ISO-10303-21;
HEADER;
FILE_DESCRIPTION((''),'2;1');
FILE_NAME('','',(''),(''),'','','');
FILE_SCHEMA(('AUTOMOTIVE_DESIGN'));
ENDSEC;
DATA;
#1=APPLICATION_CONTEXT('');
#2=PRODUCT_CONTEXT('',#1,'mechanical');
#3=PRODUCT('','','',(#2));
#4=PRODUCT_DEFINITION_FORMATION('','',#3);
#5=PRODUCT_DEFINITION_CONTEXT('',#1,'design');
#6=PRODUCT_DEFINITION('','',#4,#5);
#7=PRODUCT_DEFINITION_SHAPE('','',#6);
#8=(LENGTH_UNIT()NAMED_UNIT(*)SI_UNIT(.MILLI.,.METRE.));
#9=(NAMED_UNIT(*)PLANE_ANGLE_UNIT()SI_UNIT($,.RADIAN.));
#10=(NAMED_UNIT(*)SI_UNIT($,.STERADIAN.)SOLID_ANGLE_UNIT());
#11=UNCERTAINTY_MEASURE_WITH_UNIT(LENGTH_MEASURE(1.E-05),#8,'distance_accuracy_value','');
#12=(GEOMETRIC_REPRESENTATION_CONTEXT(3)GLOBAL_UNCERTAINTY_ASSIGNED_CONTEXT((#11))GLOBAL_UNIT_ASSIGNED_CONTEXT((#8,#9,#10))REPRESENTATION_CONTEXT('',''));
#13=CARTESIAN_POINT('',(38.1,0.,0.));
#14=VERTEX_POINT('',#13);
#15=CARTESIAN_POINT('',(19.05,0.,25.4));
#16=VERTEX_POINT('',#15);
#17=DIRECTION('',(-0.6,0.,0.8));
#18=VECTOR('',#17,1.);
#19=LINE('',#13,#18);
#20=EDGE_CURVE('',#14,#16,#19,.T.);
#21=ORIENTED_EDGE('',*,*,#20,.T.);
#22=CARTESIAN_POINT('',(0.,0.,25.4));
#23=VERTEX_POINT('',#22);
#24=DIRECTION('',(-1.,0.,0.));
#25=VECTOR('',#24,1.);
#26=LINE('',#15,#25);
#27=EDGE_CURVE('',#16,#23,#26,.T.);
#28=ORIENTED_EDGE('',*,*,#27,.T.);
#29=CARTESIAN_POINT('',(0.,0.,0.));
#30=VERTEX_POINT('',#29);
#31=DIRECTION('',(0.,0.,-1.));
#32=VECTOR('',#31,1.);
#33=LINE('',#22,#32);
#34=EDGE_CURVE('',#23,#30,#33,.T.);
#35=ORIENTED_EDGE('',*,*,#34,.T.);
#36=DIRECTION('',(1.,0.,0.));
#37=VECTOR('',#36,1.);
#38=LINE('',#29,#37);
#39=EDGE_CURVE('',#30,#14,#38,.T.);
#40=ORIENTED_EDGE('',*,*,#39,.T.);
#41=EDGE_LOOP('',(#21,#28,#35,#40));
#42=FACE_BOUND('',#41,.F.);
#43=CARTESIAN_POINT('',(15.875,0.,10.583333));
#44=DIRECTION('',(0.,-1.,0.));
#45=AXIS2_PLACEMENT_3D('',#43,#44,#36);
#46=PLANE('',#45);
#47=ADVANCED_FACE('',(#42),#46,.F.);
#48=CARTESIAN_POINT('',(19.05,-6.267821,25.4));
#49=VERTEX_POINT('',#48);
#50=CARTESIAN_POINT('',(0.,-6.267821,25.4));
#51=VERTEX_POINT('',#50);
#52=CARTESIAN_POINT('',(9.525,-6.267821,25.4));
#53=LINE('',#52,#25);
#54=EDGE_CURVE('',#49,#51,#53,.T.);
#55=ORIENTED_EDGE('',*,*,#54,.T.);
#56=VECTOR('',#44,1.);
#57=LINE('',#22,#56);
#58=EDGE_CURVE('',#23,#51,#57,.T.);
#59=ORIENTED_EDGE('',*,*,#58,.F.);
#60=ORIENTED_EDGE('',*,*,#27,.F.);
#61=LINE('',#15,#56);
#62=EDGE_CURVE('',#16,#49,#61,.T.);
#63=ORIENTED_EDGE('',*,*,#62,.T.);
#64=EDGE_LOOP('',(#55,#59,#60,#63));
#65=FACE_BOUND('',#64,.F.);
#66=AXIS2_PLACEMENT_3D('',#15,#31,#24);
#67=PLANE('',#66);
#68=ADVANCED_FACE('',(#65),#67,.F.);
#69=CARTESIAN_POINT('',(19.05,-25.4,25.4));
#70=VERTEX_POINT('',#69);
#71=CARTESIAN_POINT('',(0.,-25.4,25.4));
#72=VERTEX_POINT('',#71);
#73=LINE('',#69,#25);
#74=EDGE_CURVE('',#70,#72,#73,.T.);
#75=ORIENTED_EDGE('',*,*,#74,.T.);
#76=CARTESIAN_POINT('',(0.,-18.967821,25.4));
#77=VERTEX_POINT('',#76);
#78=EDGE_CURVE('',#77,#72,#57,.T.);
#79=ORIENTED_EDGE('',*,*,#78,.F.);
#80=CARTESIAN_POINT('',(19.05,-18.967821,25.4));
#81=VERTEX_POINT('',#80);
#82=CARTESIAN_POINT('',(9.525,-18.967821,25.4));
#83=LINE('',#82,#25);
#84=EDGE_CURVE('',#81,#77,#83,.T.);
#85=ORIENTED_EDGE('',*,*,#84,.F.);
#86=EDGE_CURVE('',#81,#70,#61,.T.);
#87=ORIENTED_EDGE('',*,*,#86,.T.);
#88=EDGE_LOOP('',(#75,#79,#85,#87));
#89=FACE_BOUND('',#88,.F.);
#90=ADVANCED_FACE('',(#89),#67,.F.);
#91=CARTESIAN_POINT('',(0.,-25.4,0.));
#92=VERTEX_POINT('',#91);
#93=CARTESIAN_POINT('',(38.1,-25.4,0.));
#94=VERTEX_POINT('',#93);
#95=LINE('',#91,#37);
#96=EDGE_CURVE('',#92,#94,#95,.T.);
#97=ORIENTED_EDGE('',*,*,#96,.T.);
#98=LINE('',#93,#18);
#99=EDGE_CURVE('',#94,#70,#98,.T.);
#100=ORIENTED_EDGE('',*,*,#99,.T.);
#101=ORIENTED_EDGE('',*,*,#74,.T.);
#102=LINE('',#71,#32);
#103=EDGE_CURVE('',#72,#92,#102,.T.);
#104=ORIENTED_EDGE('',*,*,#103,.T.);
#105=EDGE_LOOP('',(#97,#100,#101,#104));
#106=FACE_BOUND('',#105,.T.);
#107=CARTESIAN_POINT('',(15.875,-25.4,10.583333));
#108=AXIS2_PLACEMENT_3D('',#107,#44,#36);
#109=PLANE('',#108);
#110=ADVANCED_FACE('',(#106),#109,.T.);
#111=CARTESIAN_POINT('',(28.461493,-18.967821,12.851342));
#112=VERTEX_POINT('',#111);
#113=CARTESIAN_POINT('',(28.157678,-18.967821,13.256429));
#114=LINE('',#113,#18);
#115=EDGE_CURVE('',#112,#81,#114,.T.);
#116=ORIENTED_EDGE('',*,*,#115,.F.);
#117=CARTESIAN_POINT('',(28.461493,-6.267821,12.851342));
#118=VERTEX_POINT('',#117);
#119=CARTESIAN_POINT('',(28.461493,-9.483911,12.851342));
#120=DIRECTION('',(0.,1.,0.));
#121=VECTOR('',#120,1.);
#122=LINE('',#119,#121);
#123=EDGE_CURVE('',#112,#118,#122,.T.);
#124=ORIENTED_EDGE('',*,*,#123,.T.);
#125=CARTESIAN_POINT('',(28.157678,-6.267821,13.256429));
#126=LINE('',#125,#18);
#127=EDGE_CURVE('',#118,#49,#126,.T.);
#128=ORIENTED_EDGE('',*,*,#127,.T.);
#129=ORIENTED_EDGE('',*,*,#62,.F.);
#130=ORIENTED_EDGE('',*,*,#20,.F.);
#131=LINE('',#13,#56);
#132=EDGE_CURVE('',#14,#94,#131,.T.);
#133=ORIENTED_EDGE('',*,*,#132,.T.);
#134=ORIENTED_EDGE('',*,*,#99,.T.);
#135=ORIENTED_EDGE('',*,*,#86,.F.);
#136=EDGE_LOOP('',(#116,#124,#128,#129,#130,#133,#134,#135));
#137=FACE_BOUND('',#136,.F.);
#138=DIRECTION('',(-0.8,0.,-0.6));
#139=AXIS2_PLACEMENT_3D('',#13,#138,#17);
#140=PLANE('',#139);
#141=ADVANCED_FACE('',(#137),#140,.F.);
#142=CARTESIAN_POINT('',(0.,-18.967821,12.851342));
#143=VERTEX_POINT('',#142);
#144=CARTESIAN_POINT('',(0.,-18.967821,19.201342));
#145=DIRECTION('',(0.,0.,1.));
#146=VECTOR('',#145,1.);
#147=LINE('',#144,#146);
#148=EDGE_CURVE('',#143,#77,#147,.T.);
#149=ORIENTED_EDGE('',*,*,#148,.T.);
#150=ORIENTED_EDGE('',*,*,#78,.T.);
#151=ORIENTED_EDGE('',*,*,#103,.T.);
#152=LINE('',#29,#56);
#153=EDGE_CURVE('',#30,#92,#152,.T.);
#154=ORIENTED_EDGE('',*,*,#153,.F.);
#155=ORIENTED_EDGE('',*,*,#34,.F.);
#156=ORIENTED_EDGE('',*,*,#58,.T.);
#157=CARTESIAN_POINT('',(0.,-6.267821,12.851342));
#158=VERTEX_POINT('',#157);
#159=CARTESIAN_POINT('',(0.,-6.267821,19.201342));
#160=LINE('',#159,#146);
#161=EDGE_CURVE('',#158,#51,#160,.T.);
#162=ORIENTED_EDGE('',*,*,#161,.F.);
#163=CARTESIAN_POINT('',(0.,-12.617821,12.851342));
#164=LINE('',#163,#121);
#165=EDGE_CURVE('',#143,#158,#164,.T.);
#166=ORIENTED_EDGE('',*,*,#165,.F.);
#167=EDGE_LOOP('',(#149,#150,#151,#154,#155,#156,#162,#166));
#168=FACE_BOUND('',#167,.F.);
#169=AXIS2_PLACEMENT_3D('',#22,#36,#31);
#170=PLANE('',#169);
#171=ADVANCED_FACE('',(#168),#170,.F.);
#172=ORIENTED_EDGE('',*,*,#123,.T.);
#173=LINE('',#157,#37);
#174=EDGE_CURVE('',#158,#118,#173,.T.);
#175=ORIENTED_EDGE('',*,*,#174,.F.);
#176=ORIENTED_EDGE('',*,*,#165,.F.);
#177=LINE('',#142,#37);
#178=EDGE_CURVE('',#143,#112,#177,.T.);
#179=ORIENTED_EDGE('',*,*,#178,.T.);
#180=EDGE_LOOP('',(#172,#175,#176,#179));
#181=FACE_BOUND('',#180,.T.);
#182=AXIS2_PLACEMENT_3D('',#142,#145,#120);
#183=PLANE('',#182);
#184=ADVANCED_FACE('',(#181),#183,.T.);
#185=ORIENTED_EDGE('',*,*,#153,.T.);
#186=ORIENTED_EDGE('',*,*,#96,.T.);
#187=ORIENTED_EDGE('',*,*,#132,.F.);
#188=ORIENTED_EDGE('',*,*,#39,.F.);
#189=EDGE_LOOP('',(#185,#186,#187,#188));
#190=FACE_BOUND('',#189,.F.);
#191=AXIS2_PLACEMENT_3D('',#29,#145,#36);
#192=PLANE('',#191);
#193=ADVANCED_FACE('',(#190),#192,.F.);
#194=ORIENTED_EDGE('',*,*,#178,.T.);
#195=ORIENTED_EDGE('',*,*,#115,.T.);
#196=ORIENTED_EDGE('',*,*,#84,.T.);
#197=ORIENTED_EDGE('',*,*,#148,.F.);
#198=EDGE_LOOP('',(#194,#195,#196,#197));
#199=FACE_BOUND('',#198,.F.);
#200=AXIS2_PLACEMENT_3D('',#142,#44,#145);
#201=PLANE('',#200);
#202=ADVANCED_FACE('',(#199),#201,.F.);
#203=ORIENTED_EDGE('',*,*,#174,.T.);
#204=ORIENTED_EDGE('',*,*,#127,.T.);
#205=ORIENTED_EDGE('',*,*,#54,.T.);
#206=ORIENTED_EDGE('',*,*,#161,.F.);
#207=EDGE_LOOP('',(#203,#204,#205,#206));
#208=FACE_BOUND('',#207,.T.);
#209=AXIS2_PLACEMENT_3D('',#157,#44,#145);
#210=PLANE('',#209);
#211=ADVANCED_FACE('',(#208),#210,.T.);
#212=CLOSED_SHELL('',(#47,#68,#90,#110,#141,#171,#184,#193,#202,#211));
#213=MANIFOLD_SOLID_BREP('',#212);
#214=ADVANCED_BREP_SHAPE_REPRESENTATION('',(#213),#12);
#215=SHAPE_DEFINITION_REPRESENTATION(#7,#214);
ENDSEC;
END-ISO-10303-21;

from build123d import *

# Parameters (mm, degrees)
F1_DEPTH = 25.4
F2_W     = 12.7
F2_H     = 12.7
F3_DEPTH = 38.1


with BuildPart() as f1:
    # F0 (on Front) → F1 (new body)
    with BuildSketch(Plane.XZ):
        Polygon((0, 25.4), (0, 0), (38.1, 0), (19.05, 25.4), align=None)
    extrude(amount=F1_DEPTH)

    # F2 (on Right) → F3 (cut)
    with BuildSketch(Plane.YZ):
        with Locations((-12.617821, 19.201342)):
            Rectangle(F2_W, F2_H)
    extrude(amount=F3_DEPTH, mode=Mode.SUBTRACT)


solid = f1.part
